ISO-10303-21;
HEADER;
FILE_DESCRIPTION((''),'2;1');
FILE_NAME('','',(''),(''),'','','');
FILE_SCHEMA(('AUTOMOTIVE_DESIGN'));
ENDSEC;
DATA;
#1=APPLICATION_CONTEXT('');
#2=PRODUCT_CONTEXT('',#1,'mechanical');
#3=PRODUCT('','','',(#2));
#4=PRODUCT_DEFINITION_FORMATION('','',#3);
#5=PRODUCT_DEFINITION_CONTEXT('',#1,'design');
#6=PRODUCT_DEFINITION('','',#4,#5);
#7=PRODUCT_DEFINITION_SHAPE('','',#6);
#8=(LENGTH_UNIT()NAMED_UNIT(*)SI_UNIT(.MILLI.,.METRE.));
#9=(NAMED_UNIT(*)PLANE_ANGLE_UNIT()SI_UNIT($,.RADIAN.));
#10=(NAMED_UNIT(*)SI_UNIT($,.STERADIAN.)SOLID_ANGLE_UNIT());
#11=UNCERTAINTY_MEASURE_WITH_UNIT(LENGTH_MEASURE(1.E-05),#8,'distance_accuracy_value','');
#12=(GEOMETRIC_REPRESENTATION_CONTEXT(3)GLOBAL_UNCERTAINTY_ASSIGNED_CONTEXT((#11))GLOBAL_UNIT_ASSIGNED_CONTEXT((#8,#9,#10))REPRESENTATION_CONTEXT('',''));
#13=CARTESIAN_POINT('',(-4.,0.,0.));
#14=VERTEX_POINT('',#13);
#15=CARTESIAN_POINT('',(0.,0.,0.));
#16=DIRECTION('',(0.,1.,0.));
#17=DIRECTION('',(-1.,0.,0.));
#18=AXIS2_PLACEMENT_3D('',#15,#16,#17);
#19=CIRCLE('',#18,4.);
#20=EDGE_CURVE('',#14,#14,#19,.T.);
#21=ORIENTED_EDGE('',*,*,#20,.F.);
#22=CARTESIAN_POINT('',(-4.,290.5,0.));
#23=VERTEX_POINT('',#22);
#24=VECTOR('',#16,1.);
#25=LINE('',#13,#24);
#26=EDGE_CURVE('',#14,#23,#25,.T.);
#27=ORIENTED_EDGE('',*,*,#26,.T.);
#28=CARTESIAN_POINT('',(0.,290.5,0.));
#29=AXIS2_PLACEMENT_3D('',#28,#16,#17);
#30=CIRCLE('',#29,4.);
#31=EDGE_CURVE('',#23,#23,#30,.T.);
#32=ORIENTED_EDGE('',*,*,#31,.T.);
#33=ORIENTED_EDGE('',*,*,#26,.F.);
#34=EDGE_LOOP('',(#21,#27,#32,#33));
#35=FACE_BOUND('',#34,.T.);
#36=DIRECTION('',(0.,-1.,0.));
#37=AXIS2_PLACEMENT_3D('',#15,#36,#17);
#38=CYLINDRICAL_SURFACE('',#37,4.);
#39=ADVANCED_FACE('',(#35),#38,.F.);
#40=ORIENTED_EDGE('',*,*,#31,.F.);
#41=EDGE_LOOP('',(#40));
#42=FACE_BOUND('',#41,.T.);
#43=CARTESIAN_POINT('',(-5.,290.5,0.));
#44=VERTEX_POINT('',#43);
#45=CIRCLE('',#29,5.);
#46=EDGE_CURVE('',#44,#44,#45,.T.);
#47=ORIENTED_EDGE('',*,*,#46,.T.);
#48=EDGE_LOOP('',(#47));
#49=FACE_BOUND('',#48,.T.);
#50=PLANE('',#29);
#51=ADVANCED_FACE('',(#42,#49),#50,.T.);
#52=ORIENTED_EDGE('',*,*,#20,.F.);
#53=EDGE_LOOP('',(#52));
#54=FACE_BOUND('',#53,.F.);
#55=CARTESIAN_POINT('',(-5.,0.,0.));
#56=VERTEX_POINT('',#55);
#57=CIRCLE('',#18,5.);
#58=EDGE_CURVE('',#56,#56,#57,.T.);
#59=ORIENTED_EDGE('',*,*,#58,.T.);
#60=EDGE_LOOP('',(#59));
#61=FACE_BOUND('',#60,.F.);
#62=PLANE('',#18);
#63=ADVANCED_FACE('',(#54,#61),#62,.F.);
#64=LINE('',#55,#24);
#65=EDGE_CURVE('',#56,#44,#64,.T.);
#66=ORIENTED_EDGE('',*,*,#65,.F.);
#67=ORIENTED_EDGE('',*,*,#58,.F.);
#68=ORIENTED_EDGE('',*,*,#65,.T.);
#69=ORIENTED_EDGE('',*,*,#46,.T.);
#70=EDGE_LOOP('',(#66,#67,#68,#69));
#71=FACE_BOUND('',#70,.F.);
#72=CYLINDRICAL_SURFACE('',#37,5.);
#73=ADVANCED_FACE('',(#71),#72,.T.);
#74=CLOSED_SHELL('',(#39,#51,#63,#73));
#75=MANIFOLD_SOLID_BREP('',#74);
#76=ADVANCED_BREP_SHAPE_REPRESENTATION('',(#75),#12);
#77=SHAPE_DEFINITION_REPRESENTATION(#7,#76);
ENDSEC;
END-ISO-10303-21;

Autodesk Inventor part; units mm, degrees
ref_plane "YZ Plane" through (0, 0, 0) normal (1, 0, 0) x (0, 1, 0)
ref_plane "XZ Plane" through (0, 0, 0) normal (0, 1, 0) x (-1, 0, 0)
ref_plane "XY Plane" through (0, 0, 0) normal (0, 0, 1) x (1, 0, 0)
sketch "Sketch1" plane through (0, 0, 0) normal (0, 1, 0) x (-1, 0, 0)
  circle A0 centre (0, 0) radius 4
  circle A1 centre (0, 0) radius 5
  dimension "d0" = 8
  dimension "d1" = 10
extrude "Extrusion1" add sketch "Sketch1" along normal blind 290.5
properties part number "Outer Casing" material "Stainless Steel"
